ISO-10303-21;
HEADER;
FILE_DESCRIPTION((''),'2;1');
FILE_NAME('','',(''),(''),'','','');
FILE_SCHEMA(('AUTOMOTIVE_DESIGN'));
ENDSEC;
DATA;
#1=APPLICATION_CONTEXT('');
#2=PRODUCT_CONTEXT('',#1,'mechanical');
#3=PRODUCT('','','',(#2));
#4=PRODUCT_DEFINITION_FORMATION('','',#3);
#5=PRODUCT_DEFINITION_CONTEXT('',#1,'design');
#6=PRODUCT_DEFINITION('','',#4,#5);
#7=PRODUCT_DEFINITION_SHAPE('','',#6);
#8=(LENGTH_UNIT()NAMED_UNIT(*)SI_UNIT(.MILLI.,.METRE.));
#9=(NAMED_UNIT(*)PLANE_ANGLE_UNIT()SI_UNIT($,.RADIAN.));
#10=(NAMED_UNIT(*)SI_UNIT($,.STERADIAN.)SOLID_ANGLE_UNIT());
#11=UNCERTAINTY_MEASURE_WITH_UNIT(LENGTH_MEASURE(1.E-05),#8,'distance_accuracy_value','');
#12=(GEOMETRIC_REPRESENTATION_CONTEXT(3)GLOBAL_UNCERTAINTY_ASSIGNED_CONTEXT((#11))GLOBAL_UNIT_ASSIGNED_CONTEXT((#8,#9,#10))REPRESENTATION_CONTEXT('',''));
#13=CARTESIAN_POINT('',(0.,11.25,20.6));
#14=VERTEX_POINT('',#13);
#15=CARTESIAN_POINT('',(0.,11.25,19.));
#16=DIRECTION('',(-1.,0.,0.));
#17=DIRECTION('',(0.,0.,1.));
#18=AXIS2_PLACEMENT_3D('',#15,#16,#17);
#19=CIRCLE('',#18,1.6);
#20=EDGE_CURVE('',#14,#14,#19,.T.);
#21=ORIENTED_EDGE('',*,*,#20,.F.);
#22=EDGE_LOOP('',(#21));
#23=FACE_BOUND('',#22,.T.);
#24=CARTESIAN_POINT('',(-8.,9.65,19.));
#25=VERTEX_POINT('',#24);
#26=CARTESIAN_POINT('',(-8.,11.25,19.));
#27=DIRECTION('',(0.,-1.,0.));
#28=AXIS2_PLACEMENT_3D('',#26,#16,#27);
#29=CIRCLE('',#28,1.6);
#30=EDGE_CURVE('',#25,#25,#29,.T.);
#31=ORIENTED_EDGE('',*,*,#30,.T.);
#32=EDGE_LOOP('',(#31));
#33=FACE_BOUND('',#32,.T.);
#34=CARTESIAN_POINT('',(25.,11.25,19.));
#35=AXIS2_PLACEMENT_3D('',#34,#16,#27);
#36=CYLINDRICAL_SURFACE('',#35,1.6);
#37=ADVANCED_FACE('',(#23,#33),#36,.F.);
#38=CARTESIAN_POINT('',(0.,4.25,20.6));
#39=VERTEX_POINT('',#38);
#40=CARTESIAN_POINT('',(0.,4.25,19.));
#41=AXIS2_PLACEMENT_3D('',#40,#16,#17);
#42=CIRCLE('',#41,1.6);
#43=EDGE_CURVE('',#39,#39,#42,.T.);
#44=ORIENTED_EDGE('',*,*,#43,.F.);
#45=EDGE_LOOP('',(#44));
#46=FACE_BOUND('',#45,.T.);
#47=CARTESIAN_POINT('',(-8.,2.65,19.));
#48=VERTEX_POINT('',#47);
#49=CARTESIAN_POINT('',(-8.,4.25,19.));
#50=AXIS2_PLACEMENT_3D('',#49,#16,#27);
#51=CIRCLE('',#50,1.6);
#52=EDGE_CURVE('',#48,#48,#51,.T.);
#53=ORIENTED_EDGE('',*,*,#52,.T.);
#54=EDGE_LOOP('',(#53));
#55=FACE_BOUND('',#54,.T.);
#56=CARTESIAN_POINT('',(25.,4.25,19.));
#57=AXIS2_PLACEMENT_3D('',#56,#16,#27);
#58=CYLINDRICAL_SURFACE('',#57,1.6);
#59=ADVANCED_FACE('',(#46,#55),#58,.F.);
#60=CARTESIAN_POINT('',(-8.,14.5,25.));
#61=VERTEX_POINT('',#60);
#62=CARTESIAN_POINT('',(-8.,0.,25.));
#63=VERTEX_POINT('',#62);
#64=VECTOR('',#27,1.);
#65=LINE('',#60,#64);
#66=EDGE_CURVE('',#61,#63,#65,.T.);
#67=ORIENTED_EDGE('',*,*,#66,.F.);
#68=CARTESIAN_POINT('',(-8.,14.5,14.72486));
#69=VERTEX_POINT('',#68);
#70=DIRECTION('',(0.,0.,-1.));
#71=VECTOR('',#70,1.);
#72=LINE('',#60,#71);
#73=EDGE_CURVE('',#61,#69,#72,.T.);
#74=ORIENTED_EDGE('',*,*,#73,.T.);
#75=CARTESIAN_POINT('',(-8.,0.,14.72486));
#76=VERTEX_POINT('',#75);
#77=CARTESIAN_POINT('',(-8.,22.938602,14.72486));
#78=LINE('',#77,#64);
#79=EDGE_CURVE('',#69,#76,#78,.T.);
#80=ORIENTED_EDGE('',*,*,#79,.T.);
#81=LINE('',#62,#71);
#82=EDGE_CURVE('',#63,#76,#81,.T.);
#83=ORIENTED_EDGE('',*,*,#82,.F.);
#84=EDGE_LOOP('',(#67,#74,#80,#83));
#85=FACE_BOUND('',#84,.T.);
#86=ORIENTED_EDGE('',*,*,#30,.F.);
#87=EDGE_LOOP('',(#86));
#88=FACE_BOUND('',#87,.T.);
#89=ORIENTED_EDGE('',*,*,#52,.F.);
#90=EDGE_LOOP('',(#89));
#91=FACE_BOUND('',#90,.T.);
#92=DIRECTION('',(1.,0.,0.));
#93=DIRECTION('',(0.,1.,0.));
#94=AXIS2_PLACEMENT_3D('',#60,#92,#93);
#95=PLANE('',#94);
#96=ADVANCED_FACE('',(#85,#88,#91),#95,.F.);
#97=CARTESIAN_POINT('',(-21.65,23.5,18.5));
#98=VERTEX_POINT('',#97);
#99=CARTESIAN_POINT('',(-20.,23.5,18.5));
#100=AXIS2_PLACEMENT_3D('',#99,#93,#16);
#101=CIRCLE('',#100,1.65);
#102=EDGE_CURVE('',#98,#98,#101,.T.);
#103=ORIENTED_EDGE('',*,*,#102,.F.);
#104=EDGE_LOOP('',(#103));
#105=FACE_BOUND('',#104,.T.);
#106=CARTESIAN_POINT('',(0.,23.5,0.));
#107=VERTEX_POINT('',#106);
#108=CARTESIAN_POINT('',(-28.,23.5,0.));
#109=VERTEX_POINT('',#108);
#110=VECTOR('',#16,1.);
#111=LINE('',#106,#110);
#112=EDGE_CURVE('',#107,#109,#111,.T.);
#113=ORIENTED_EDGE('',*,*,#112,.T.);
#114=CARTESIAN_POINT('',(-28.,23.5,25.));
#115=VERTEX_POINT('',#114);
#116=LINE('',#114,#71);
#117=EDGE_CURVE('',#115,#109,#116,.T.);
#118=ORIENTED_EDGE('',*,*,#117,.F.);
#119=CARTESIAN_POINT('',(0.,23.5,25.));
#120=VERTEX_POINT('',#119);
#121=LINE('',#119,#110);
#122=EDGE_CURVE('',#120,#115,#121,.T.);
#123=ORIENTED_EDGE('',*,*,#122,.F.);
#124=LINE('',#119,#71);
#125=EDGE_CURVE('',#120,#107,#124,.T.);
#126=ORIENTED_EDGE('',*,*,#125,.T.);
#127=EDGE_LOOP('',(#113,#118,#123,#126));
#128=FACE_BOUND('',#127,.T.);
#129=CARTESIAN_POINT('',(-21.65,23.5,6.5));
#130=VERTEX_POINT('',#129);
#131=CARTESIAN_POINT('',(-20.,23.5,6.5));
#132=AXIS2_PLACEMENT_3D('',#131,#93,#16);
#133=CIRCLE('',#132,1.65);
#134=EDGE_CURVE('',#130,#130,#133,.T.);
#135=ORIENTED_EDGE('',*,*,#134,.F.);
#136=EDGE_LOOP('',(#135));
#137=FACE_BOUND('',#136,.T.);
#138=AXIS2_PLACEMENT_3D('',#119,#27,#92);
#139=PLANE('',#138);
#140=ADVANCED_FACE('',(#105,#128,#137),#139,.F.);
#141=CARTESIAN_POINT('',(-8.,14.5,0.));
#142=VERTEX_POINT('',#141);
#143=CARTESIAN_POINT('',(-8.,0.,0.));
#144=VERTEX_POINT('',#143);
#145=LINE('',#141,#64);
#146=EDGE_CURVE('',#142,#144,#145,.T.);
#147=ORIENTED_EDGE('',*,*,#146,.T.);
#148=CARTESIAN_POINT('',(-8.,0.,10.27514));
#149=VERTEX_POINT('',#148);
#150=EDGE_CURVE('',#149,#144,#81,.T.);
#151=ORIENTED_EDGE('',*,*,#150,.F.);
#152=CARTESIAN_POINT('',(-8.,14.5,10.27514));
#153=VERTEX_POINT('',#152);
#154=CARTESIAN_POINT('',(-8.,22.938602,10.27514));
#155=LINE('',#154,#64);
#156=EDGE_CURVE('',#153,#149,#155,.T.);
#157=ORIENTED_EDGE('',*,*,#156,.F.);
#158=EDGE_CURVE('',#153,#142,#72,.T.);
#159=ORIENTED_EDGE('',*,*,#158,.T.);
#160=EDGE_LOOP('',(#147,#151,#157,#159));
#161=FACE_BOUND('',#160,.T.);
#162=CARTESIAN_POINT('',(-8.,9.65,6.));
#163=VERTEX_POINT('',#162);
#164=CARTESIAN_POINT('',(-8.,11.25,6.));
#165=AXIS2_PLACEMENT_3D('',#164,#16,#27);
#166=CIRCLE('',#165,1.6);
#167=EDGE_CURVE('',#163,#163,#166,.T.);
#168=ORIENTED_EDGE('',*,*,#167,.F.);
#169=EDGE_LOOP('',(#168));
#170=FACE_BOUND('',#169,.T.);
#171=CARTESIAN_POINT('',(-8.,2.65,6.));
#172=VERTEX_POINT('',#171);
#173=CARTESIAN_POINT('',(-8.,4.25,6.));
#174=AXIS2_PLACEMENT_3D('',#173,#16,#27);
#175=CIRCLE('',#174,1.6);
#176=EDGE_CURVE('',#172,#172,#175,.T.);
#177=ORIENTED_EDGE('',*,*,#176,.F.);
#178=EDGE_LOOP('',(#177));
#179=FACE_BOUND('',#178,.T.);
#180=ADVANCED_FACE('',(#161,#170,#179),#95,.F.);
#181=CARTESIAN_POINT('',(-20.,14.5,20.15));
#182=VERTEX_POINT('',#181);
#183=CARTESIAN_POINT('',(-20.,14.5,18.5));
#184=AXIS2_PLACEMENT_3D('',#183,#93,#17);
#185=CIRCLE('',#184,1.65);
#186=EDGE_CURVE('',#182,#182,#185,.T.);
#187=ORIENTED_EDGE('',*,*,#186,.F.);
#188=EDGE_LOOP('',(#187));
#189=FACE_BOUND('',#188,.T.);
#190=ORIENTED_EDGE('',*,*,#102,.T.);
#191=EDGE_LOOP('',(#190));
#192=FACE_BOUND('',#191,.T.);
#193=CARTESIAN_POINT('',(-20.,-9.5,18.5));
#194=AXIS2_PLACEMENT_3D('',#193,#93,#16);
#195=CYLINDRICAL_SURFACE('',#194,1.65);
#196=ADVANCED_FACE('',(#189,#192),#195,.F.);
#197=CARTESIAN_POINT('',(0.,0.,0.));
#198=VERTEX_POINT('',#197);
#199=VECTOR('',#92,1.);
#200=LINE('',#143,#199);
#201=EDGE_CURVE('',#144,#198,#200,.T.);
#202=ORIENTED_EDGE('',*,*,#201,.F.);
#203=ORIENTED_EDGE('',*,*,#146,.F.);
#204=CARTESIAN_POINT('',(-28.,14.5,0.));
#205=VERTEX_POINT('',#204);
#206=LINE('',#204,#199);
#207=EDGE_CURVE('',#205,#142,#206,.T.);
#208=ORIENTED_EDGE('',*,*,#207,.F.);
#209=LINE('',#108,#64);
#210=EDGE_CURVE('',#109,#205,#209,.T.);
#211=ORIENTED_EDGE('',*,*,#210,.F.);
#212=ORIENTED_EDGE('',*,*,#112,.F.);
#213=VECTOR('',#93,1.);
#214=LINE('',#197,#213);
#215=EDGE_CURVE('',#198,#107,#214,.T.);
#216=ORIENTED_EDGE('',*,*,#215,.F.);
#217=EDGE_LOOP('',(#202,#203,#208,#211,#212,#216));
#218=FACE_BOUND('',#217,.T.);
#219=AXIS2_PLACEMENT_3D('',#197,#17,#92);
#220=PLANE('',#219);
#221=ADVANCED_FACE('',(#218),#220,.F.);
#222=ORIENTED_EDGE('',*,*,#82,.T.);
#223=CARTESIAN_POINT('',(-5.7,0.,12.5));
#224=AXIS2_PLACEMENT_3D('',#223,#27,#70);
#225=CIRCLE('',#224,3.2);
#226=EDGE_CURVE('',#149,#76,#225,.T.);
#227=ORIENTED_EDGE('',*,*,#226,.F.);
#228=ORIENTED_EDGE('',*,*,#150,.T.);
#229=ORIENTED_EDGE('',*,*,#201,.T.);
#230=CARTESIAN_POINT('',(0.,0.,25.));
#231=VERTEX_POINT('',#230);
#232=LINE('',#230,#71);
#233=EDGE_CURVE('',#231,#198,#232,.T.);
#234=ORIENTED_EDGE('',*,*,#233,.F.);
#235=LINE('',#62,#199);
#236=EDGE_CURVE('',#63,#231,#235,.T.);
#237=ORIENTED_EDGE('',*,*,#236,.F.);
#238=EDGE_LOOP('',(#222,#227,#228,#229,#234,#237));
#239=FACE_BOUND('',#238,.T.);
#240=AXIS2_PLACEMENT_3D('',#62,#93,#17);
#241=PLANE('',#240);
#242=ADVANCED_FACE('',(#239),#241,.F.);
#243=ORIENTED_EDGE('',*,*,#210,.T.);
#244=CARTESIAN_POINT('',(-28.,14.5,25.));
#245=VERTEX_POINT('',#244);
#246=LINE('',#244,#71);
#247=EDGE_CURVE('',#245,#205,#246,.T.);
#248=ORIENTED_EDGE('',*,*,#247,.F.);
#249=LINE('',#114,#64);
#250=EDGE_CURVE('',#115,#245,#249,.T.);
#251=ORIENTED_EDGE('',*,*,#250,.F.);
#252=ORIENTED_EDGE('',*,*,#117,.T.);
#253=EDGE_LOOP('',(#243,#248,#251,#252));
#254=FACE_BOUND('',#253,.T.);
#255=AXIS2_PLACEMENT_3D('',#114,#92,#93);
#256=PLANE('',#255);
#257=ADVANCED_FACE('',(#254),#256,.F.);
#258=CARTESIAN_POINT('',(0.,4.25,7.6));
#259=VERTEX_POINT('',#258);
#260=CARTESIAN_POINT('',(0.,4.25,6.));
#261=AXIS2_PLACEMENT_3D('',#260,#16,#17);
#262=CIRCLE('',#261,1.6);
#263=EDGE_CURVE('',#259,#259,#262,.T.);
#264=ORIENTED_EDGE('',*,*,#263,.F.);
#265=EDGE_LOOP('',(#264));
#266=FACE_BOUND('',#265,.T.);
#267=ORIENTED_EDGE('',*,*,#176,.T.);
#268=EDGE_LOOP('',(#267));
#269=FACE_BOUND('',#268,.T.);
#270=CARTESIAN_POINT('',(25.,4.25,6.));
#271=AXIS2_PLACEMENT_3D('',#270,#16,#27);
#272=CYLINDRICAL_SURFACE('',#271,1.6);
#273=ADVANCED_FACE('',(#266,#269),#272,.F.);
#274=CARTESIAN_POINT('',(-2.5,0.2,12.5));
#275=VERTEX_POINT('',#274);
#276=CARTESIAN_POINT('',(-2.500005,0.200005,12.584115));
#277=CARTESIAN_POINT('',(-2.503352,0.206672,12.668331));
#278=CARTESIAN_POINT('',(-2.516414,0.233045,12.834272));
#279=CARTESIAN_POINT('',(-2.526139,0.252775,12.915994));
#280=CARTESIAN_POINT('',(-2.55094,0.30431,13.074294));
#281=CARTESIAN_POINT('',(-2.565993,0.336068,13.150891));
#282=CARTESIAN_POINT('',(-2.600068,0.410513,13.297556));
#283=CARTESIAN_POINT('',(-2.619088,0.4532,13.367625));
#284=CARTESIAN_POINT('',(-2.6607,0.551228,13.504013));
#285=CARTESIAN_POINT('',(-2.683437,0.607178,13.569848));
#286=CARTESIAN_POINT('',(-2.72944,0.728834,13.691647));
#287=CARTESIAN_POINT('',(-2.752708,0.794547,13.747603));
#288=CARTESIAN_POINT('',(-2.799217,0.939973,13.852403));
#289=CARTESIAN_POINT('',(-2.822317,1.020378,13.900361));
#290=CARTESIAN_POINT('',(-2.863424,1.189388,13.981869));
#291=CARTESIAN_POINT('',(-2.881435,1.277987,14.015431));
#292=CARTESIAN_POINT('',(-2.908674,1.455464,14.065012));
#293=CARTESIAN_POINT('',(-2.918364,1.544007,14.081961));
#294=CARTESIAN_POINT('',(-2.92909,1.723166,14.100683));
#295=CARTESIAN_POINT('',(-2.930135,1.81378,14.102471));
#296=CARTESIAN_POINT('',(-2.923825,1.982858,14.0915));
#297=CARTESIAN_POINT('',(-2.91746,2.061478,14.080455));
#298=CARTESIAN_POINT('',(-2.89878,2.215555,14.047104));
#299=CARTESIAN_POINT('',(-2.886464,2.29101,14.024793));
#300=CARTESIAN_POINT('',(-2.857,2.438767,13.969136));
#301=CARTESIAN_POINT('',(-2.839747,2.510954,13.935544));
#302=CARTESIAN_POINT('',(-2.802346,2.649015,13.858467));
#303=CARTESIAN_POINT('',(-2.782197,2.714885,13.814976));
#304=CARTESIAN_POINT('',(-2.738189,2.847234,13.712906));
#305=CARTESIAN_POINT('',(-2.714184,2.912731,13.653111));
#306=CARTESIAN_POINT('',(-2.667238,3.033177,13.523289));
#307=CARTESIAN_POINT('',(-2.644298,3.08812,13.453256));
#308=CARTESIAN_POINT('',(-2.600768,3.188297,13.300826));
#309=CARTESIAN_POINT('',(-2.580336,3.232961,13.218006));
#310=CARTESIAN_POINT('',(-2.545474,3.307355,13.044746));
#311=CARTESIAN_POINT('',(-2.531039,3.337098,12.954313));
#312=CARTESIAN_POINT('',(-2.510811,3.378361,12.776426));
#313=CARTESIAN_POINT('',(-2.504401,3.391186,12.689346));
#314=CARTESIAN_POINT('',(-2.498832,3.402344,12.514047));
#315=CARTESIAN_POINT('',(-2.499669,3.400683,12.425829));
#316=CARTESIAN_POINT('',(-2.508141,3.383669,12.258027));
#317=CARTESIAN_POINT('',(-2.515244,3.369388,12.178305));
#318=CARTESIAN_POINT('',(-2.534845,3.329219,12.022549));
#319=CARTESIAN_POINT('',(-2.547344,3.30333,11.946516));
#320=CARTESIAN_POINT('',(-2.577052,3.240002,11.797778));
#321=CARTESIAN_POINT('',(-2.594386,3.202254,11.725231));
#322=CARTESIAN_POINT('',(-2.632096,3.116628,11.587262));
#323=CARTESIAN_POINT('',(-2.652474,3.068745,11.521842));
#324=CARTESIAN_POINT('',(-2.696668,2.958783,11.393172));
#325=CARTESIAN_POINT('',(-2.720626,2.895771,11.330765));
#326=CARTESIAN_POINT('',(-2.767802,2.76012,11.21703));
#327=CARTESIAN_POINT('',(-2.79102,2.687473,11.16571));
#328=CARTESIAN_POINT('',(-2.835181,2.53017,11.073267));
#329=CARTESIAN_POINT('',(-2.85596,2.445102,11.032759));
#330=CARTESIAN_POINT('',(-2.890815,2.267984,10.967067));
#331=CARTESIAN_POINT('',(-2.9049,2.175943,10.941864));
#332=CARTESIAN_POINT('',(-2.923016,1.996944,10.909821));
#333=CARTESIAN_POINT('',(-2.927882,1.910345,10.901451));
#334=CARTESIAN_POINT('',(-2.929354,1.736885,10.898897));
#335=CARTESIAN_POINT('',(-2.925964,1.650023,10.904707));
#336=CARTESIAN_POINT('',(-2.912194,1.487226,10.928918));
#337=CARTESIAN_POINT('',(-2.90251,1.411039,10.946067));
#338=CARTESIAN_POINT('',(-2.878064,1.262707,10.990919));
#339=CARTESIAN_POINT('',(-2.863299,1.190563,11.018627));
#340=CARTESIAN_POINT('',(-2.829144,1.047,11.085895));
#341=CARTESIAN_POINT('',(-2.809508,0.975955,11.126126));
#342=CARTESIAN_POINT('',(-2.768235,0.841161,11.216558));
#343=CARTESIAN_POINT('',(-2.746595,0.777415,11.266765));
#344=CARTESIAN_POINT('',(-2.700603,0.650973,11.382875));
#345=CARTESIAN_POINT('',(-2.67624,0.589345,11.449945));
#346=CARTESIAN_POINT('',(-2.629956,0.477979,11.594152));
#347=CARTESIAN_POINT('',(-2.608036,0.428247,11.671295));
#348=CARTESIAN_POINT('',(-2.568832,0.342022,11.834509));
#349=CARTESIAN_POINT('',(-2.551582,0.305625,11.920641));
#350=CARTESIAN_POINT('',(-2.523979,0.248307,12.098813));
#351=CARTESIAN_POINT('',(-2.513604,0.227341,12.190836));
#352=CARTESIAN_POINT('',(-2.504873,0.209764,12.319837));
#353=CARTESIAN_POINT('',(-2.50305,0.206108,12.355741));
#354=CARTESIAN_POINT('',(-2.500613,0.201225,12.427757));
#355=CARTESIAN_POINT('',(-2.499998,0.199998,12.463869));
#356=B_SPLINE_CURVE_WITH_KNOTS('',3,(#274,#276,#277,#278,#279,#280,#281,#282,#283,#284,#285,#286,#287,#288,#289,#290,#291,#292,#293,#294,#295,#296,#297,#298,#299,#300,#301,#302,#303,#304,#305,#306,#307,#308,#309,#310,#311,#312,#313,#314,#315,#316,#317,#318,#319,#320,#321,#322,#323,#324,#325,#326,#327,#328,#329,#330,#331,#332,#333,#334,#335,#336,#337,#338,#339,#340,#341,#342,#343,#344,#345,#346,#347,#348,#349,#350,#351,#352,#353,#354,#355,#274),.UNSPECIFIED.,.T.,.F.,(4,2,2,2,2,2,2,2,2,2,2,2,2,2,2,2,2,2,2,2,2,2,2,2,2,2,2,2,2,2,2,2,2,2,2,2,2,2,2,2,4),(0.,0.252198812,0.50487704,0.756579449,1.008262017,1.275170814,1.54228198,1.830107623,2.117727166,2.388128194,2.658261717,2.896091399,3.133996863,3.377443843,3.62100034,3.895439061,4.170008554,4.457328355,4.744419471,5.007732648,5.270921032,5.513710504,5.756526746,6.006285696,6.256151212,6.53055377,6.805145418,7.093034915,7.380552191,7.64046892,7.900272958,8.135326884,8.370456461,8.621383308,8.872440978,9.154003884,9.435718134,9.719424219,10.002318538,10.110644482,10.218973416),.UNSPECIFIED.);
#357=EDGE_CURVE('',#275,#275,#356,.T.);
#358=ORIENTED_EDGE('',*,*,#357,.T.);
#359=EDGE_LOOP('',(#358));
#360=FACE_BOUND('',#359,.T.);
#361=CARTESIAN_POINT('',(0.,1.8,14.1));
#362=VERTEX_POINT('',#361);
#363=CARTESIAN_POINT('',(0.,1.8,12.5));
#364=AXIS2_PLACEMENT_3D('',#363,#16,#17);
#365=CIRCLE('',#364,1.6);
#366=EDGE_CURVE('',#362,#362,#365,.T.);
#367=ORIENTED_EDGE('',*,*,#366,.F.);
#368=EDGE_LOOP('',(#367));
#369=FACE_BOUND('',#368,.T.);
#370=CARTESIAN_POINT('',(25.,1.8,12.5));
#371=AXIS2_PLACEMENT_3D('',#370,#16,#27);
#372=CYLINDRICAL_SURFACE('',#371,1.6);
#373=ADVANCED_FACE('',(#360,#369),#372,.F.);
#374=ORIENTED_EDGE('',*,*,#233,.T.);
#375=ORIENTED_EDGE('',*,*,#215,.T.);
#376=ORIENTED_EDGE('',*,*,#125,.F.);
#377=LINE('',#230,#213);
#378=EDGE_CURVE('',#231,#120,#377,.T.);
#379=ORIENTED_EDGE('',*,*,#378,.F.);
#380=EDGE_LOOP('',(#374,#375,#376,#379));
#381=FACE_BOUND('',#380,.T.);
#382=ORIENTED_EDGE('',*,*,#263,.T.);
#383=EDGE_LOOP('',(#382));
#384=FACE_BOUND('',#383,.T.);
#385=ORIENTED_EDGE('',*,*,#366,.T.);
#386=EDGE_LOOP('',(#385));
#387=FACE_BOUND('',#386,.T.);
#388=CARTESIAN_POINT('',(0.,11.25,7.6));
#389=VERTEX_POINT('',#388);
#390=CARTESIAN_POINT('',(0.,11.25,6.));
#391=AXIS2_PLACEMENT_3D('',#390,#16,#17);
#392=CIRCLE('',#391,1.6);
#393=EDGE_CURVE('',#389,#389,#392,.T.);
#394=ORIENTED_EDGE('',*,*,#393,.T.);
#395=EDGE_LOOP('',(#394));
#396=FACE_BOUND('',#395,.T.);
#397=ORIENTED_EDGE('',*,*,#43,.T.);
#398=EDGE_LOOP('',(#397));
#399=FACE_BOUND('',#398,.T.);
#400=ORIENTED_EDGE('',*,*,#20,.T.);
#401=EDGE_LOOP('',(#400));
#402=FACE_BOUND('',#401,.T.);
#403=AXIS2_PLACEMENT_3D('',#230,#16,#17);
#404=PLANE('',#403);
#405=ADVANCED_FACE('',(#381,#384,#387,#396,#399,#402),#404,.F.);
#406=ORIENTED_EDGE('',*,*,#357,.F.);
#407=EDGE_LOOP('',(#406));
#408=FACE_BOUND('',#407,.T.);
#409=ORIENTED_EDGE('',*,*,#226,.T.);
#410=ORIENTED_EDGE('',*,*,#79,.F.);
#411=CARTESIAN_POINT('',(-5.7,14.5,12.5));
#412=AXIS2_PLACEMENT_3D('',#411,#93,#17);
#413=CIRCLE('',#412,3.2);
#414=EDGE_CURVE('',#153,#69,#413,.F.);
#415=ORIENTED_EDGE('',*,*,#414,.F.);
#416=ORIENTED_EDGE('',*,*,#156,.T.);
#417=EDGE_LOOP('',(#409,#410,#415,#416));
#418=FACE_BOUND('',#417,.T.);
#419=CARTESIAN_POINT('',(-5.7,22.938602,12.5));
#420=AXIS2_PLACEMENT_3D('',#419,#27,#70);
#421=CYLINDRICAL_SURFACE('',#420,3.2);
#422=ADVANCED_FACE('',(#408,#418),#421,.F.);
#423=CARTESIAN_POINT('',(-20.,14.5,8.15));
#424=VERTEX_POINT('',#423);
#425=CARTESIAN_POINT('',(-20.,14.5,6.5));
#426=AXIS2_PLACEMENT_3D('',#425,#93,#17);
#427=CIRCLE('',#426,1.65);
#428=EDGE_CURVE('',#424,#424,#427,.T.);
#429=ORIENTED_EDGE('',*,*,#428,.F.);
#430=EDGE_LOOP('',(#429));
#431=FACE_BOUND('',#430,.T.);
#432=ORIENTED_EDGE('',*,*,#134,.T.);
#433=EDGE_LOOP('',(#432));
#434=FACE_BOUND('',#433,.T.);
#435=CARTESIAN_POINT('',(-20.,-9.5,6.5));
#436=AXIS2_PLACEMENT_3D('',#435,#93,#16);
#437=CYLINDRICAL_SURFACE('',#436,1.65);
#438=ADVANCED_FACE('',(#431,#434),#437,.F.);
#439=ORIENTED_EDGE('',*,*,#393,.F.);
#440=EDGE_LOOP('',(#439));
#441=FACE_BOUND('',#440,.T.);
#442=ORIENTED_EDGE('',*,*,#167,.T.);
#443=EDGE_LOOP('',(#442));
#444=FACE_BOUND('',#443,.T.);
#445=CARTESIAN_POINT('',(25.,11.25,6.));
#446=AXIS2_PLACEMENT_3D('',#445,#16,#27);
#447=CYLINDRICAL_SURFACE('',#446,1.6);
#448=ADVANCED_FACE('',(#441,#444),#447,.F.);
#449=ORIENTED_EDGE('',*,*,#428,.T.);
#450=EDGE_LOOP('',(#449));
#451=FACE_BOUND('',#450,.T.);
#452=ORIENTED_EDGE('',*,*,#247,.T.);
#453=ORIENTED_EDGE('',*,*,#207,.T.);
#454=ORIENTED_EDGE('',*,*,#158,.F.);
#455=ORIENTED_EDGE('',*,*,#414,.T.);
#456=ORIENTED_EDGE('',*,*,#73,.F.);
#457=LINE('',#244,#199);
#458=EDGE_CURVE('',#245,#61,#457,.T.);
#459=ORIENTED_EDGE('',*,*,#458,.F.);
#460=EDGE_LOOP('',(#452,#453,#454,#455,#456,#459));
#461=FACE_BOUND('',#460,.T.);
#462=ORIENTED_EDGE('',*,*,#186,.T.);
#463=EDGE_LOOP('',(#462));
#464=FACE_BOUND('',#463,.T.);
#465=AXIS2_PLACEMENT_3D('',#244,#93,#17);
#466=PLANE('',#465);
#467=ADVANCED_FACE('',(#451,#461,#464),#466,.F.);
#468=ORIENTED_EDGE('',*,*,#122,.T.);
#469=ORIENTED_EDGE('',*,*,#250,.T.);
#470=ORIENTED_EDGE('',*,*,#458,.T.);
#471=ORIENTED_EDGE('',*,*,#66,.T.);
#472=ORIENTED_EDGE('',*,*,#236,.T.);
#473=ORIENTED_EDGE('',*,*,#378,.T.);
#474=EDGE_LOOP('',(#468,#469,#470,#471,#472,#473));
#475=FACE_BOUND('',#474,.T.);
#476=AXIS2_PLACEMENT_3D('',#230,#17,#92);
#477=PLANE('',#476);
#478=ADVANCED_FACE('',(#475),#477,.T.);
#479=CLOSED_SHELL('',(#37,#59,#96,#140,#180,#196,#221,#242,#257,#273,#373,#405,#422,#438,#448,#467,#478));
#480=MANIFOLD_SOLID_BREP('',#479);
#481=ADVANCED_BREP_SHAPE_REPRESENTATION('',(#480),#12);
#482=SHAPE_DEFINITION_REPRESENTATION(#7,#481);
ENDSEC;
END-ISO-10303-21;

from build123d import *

# Parameters (mm, degrees)
EXTRUDE_1_DEPTH     = 25
SKETCH_2_R          = 1.65
CUT_EXTRUDE_1_DEPTH = 33
SKETCH_3_R          = 1.6
CUT_EXTRUDE_2_DEPTH = 33
CUT_EXTRUDE_3_DEPTH = 14.5


with BuildPart() as part:
    # 草图1 → 凸台-拉伸1 (new body)
    with BuildSketch(Plane.XY):
        Polygon((0, 0), (0, 23.5), (-28, 23.5), (-28, 14.5), (-8, 14.5), (-8, 0), align=None)
    extrude(amount=EXTRUDE_1_DEPTH)

    # 草图2 → 切除-拉伸1 (cut)
    with BuildSketch(Plane(origin=(0, 23.5, 0), x_dir=(1, 0, 0), z_dir=(0, 1, 0))):
        with Locations(Location((-20, -6.5, 0), (0, 0, 180))):
            Circle(SKETCH_2_R)
        with Locations(Location((-20, -18.5, 0), (0, 0, 180))):
            Circle(SKETCH_2_R)
    extrude(amount=-CUT_EXTRUDE_1_DEPTH, mode=Mode.SUBTRACT)

    # 草图3 → 切除-拉伸2 (cut)
    with BuildSketch(Plane.ZY.offset(8)):
        with Locations(Location((6, 11.25, 0), (0, 0, 270))):
            Circle(SKETCH_3_R)
        with Locations(Location((19, 11.25, 0), (0, 0, 270))):
            Circle(SKETCH_3_R)
        with Locations(Location((12.5, 1.8, 0), (0, 0, 270))):
            Circle(SKETCH_3_R)
        with Locations(Location((6, 4.25, 0), (0, 0, 270))):
            Circle(SKETCH_3_R)
        with Locations(Location((19, 4.25, 0), (0, 0, 270))):
            Circle(SKETCH_3_R)
    extrude(amount=-CUT_EXTRUDE_2_DEPTH, mode=Mode.SUBTRACT)

    # 草图4 → 切除-拉伸3 (cut)
    with BuildSketch(Plane.XZ):
        with BuildLine():
            Line((-8, 14.724859546), (-8, 10.275140454))
            ThreePointArc((-8, 10.275140454), (-2.5, 12.5), (-8, 14.724859546))
        make_face()
    extrude(amount=-CUT_EXTRUDE_3_DEPTH, mode=Mode.SUBTRACT)


solid = part.part
